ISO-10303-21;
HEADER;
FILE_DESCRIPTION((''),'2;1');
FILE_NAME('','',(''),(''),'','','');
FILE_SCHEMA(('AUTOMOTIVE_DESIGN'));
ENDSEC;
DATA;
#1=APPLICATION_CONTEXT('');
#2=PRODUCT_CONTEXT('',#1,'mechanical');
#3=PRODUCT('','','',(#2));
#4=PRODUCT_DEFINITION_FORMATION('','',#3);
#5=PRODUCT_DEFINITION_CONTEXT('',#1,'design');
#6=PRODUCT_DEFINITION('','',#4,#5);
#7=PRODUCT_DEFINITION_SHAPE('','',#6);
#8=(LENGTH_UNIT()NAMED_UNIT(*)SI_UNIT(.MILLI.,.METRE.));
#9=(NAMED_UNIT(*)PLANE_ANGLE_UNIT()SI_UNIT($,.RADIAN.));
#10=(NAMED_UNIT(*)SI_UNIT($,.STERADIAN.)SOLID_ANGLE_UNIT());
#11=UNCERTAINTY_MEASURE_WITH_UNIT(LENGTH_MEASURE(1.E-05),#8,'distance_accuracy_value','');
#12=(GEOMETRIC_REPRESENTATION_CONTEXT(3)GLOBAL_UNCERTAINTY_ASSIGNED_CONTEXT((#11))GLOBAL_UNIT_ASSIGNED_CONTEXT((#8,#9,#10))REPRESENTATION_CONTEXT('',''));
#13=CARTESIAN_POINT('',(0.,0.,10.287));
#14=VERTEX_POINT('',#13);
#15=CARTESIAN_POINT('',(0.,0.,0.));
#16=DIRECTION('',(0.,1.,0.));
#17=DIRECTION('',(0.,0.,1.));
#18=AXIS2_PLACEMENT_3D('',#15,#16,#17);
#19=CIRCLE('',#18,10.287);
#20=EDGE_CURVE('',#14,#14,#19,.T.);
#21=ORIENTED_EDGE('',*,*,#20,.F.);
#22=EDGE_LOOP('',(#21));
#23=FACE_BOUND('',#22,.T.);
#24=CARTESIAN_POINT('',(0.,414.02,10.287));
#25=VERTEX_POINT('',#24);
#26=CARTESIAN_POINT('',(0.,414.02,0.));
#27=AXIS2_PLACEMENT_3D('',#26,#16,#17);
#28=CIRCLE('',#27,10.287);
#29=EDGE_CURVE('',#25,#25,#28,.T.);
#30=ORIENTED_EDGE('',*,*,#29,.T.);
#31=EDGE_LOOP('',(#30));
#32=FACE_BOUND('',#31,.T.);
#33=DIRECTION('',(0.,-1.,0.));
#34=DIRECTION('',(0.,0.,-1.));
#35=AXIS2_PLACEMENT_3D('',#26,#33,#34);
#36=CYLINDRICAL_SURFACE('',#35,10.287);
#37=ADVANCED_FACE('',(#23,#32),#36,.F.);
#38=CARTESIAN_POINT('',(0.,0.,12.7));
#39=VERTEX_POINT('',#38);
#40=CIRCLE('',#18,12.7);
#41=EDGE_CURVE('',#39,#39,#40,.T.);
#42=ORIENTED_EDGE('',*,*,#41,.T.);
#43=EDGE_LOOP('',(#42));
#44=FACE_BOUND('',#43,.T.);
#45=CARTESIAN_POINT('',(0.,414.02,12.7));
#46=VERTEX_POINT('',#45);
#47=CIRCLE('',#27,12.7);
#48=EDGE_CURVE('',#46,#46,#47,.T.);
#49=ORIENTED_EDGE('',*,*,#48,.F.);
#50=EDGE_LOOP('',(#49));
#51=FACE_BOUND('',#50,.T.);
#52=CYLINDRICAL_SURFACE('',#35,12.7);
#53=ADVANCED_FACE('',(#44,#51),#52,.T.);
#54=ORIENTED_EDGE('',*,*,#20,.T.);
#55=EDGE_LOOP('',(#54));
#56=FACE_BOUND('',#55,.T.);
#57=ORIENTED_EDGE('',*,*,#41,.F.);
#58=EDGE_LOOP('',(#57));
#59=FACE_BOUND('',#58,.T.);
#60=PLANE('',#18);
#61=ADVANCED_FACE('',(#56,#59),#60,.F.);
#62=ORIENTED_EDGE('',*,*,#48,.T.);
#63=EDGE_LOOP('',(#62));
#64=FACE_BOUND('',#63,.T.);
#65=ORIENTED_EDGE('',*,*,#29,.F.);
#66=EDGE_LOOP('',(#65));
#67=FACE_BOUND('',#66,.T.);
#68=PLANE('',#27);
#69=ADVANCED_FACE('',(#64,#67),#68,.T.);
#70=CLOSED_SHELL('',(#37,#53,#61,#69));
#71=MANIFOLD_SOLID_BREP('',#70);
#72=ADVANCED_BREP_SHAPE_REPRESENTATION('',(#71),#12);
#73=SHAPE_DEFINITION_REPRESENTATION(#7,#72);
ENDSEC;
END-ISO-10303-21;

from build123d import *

# Parameters (mm, degrees)
SKETCH1_R           = 12.7
BOSS_EXTRUDE1_DEPTH = 414.02
SHELL1_T            = -2.413
SKETCH2_R           = 10.287
CUT_EXTRUDE1_DEPTH  = 412.998668018


with BuildPart() as part:
    # Sketch1 → Boss-Extrude1 (new body)
    with BuildSketch(Plane(origin=(0, 0, 0), x_dir=(1, 0, 0), z_dir=(0, 1, 0))):
        with Locations(Location((0, 0, 0), (0, 0, 270))):
            Circle(SKETCH1_R)
    extrude(amount=BOSS_EXTRUDE1_DEPTH)

    # Shell1
    shell1_openings = [part.faces().sort_by_distance(p)[0] for p in [
        (0, 414.02, 0),
    ]]
    offset(amount=SHELL1_T, openings=shell1_openings, kind=Kind.INTERSECTION)

    # Sketch2 → Cut-Extrude1 (cut, through all)
    with BuildSketch(Plane(origin=(0, 2.413, 0), x_dir=(1, 0, 0), z_dir=(0, 1, 0))):
        with Locations(Location((0, 0, 0), (0, 0, 270))):
            Circle(SKETCH2_R)
    extrude(amount=-CUT_EXTRUDE1_DEPTH, mode=Mode.SUBTRACT)


solid = part.part
